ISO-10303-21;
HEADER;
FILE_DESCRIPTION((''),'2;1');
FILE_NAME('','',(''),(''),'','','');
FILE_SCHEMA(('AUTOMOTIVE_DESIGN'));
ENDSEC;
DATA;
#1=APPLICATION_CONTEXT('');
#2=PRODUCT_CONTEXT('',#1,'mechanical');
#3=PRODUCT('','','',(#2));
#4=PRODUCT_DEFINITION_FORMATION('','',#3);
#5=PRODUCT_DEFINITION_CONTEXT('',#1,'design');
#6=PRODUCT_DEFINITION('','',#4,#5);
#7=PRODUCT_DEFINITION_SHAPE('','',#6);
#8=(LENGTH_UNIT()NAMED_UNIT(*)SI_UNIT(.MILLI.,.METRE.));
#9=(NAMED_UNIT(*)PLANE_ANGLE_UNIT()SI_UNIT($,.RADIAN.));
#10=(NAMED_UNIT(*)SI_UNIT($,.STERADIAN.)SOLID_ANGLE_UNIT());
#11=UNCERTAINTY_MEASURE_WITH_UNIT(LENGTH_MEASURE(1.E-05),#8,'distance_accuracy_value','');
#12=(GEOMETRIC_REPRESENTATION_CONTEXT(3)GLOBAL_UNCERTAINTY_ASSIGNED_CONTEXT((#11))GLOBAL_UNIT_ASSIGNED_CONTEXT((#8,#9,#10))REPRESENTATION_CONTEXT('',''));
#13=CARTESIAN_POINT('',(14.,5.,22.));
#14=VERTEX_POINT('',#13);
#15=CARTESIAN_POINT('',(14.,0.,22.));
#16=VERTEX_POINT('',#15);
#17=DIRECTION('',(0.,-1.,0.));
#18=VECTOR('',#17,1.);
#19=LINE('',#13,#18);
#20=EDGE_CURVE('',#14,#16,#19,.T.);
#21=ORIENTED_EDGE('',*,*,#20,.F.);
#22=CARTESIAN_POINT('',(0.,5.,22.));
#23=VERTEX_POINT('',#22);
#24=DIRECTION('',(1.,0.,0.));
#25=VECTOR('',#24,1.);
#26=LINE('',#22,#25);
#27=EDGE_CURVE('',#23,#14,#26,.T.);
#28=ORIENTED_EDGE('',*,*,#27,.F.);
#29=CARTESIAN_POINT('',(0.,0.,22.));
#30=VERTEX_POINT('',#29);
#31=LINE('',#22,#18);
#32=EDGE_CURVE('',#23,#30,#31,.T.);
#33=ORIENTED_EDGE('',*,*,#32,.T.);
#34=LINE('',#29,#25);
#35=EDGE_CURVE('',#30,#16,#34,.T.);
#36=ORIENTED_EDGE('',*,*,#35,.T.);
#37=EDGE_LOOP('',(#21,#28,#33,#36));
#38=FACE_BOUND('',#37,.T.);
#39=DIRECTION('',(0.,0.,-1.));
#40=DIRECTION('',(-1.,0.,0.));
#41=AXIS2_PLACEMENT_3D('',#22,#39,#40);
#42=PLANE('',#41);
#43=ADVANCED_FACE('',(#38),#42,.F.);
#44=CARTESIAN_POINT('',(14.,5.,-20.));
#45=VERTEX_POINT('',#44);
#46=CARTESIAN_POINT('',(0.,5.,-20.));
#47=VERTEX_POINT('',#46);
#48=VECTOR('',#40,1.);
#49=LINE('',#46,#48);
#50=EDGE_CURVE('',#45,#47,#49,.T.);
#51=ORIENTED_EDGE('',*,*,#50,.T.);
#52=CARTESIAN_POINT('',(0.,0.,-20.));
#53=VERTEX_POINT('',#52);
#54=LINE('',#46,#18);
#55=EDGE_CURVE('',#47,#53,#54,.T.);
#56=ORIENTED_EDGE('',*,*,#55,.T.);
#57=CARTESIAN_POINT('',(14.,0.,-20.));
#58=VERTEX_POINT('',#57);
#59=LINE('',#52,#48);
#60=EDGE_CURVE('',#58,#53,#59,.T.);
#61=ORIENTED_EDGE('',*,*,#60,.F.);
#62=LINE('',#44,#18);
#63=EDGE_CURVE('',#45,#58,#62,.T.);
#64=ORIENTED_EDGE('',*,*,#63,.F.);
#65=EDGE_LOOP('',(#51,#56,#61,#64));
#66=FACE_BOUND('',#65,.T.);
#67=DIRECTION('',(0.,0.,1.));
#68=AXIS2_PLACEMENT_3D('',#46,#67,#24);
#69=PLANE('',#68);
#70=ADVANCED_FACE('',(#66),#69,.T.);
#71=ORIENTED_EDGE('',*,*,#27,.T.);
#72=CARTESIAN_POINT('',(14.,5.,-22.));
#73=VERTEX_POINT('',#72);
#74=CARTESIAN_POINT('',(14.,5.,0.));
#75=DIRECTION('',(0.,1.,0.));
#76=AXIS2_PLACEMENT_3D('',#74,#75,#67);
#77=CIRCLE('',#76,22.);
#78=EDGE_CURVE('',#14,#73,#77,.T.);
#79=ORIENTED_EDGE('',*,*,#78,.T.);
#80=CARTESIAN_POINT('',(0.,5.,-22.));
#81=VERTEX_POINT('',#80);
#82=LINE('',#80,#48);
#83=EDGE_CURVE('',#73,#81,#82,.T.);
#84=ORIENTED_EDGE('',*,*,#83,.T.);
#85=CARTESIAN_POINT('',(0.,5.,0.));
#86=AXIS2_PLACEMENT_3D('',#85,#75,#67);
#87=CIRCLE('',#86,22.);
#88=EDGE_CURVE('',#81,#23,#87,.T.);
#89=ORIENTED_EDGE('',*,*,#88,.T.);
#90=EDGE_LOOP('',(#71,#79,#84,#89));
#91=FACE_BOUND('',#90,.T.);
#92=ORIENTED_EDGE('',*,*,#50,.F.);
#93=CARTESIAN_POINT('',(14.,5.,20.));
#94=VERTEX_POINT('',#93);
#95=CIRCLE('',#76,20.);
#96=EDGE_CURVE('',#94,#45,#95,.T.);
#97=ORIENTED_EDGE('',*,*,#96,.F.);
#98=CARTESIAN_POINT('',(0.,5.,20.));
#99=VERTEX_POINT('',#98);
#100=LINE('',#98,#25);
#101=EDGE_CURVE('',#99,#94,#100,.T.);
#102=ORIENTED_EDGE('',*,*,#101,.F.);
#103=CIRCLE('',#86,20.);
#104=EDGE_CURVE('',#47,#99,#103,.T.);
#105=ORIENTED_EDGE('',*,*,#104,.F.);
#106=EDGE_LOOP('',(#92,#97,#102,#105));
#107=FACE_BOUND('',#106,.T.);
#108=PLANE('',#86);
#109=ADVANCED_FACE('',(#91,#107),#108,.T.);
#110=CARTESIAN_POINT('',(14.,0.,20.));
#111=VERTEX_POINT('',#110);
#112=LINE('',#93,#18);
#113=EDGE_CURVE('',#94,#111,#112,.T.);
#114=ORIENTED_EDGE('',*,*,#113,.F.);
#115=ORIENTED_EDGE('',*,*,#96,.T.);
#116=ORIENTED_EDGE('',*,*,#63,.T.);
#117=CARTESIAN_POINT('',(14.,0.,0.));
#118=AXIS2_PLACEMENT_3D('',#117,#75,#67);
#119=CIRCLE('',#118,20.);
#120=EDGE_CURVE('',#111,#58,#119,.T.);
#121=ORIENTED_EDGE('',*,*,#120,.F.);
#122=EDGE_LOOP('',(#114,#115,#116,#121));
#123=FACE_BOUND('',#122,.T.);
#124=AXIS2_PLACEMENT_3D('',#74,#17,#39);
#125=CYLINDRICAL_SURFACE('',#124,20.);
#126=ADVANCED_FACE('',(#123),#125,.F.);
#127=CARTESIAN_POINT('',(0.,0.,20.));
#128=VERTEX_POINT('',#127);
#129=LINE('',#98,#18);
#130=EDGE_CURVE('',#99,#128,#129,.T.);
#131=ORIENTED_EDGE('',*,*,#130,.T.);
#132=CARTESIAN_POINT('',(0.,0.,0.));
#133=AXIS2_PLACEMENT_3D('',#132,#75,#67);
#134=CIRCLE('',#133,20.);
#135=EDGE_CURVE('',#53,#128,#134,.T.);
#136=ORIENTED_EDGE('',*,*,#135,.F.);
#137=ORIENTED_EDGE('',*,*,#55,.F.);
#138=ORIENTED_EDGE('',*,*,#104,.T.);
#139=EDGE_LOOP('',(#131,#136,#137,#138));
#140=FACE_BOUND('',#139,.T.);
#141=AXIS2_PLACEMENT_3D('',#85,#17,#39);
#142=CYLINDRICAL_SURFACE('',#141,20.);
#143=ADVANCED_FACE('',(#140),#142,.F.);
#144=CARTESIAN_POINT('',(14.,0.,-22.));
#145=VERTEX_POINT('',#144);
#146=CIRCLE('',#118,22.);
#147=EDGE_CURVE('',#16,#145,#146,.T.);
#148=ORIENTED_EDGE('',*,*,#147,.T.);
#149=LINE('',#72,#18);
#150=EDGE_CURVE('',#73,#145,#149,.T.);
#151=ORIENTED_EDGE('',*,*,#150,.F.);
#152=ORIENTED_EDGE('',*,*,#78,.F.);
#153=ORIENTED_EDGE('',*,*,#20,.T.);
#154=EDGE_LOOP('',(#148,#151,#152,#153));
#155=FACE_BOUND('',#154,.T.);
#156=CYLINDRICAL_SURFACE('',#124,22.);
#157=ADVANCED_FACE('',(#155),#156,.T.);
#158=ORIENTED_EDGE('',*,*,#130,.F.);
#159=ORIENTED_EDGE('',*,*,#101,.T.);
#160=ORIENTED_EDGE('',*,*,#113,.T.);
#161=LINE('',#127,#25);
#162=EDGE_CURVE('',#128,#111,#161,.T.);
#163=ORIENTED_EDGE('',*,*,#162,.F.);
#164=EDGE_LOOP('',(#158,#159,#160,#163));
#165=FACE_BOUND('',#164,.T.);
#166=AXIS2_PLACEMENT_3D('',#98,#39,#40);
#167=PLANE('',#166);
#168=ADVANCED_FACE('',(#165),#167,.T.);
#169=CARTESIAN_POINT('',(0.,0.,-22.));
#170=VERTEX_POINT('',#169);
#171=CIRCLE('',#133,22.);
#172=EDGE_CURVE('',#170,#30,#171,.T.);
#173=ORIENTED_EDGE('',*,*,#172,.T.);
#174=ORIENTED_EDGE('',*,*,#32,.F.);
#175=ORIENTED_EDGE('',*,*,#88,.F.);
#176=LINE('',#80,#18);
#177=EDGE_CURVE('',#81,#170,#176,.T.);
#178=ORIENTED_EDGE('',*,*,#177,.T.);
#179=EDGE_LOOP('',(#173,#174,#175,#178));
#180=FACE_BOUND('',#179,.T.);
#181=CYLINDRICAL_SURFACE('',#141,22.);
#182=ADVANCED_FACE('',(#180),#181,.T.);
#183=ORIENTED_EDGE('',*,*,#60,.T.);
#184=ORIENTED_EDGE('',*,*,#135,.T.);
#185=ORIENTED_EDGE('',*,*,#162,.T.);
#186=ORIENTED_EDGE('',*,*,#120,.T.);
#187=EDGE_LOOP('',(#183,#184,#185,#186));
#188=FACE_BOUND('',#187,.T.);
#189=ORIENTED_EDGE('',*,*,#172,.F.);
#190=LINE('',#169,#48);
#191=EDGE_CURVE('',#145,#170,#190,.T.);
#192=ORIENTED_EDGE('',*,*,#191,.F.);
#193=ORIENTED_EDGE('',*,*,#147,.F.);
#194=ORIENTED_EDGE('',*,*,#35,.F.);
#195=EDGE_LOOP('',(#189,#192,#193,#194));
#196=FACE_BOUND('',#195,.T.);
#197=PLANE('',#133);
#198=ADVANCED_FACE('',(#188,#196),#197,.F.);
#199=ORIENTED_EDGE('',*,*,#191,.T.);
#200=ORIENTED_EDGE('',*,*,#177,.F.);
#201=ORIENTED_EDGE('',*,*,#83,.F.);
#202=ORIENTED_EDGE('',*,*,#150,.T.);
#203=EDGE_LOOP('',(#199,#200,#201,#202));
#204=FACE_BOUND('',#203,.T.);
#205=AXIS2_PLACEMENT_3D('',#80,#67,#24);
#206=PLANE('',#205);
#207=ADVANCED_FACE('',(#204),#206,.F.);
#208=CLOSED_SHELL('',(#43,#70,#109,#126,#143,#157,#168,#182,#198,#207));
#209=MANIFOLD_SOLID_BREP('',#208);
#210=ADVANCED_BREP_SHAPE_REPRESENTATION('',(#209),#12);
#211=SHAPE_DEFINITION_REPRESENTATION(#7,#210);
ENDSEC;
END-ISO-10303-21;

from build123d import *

# Parameters (mm, degrees)
BOSS_EXTRUDE1_DEPTH = 5


with BuildPart() as part:
    # Sketch1 → Boss-Extrude1 (new body)
    with BuildSketch(Plane(origin=(0, 0, 0), x_dir=(1, 0, 0), z_dir=(0, 1, 0))):
        with BuildLine():
            Line((0, 22), (14, 22))
            ThreePointArc((14, 22), (36, 0), (14, -22))
            Line((14, -22), (0, -22))
            ThreePointArc((0, -22), (-22, 0), (0, 22))
        make_face()
        with BuildLine():
            Line((0, 20), (14, 20))
            ThreePointArc((14, 20), (34, 0), (14, -20))
            Line((14, -20), (0, -20))
            ThreePointArc((0, -20), (-20, 0), (0, 20))
        make_face(mode=Mode.SUBTRACT)
    extrude(amount=BOSS_EXTRUDE1_DEPTH)


solid = part.part
